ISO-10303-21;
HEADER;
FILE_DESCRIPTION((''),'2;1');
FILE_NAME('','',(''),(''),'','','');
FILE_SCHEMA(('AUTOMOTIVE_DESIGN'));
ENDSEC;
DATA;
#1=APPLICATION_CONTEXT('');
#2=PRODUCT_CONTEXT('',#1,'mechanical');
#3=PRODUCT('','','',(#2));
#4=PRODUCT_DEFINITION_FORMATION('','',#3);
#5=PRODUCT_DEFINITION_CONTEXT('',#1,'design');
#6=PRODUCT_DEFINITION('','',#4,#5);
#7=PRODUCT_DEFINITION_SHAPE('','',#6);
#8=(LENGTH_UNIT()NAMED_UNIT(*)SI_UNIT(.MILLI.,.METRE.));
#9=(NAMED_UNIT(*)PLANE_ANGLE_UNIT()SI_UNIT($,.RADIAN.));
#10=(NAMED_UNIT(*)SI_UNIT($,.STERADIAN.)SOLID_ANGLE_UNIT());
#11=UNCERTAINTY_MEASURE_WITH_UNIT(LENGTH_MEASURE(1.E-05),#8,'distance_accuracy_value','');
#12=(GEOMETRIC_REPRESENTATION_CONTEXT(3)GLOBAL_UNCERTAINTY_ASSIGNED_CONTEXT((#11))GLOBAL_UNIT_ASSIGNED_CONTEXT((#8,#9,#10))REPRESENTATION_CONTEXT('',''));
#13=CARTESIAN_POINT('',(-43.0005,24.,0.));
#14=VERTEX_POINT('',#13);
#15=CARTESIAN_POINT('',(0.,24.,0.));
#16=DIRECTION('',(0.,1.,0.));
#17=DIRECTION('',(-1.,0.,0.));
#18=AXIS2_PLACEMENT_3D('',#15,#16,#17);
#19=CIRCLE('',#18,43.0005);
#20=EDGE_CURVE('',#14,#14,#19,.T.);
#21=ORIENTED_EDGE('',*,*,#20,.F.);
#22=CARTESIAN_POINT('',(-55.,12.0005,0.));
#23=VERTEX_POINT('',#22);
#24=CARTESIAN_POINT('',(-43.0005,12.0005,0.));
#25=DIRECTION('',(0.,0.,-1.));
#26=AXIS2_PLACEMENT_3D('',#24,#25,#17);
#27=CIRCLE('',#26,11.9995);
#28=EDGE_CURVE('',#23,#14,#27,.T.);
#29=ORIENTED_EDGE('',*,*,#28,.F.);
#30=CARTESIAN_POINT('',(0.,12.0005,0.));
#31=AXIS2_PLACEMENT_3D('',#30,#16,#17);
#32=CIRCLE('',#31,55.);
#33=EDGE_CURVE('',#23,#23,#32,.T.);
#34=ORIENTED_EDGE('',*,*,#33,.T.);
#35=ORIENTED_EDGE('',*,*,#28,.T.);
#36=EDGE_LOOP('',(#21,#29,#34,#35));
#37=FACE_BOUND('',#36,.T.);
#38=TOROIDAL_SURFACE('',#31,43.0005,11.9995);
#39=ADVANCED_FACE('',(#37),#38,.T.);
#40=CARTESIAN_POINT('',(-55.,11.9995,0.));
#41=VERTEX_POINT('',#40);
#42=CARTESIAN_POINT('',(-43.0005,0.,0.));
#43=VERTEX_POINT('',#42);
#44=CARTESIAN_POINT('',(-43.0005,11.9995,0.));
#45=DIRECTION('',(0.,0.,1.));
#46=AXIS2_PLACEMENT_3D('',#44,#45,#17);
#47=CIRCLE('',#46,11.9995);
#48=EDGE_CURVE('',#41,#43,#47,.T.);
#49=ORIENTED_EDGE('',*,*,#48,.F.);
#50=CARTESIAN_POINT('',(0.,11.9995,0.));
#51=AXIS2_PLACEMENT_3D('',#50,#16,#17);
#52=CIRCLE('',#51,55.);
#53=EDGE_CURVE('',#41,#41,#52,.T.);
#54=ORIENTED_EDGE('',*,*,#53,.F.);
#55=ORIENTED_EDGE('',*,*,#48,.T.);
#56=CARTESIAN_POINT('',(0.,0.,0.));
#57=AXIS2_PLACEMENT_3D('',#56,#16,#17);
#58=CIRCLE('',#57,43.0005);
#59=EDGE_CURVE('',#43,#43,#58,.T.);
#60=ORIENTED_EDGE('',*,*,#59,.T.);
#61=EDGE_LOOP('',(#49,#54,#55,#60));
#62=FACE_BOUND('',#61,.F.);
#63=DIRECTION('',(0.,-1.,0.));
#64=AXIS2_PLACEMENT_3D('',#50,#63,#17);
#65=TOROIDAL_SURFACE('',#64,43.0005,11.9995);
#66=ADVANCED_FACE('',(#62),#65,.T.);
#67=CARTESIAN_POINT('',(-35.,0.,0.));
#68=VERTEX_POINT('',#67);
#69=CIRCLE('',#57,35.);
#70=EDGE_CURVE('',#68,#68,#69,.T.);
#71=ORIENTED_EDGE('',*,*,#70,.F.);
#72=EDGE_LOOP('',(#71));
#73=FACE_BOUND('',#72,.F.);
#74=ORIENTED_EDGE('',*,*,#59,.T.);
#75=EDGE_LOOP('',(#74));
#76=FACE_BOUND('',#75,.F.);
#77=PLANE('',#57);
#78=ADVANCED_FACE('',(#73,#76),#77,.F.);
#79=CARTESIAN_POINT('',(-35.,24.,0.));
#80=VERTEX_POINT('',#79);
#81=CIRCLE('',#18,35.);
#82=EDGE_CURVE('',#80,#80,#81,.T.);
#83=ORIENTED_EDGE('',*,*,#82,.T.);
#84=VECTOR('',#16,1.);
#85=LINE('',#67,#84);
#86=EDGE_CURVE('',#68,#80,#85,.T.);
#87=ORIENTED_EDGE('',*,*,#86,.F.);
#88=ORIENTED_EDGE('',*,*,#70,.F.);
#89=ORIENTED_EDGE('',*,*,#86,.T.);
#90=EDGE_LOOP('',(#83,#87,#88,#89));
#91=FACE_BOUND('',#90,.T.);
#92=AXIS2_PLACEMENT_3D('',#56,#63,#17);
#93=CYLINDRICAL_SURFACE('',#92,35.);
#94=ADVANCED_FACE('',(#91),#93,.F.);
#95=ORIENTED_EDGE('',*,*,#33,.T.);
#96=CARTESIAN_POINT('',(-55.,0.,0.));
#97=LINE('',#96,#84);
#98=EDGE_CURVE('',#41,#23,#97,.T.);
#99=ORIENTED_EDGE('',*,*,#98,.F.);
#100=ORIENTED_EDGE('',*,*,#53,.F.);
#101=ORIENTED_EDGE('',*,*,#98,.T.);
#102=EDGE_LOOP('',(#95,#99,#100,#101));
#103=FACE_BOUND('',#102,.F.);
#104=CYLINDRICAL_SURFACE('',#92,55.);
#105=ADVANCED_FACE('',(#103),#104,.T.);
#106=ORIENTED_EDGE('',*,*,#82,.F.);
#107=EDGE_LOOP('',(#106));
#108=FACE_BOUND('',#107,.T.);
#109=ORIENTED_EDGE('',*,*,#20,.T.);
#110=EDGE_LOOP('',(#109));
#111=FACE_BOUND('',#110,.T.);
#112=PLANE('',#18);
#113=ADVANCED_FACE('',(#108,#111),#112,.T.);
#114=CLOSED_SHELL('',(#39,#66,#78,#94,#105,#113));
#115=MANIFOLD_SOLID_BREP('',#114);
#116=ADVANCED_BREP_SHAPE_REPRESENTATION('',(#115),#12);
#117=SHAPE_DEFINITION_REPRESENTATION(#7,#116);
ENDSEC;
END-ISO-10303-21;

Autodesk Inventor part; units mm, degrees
ref_plane "YZ Plane" through (0, 0, 0) normal (1, 0, 0) x (0, 1, 0)
ref_plane "XZ Plane" through (0, 0, 0) normal (0, 1, 0) x (-1, 0, 0)
ref_plane "XY Plane" through (0, 0, 0) normal (0, 0, 1) x (1, 0, 0)
sketch "Sketch1" plane through (0, 0, 0) normal (0, 1, 0) x (-1, 0, 0)
  circle A0 centre (0, 0) radius 55
  circle A1 centre (0, 0) radius 35
  dimension "d0" = 110
  dimension "d1" = 70
extrude "Extrusion1" add sketch "Sketch1" along normal blind 24
fillet "Fillet1" radius 12 2 edges at (55, 24, 0) (55, 0, 0)
properties part number "wheel1"
